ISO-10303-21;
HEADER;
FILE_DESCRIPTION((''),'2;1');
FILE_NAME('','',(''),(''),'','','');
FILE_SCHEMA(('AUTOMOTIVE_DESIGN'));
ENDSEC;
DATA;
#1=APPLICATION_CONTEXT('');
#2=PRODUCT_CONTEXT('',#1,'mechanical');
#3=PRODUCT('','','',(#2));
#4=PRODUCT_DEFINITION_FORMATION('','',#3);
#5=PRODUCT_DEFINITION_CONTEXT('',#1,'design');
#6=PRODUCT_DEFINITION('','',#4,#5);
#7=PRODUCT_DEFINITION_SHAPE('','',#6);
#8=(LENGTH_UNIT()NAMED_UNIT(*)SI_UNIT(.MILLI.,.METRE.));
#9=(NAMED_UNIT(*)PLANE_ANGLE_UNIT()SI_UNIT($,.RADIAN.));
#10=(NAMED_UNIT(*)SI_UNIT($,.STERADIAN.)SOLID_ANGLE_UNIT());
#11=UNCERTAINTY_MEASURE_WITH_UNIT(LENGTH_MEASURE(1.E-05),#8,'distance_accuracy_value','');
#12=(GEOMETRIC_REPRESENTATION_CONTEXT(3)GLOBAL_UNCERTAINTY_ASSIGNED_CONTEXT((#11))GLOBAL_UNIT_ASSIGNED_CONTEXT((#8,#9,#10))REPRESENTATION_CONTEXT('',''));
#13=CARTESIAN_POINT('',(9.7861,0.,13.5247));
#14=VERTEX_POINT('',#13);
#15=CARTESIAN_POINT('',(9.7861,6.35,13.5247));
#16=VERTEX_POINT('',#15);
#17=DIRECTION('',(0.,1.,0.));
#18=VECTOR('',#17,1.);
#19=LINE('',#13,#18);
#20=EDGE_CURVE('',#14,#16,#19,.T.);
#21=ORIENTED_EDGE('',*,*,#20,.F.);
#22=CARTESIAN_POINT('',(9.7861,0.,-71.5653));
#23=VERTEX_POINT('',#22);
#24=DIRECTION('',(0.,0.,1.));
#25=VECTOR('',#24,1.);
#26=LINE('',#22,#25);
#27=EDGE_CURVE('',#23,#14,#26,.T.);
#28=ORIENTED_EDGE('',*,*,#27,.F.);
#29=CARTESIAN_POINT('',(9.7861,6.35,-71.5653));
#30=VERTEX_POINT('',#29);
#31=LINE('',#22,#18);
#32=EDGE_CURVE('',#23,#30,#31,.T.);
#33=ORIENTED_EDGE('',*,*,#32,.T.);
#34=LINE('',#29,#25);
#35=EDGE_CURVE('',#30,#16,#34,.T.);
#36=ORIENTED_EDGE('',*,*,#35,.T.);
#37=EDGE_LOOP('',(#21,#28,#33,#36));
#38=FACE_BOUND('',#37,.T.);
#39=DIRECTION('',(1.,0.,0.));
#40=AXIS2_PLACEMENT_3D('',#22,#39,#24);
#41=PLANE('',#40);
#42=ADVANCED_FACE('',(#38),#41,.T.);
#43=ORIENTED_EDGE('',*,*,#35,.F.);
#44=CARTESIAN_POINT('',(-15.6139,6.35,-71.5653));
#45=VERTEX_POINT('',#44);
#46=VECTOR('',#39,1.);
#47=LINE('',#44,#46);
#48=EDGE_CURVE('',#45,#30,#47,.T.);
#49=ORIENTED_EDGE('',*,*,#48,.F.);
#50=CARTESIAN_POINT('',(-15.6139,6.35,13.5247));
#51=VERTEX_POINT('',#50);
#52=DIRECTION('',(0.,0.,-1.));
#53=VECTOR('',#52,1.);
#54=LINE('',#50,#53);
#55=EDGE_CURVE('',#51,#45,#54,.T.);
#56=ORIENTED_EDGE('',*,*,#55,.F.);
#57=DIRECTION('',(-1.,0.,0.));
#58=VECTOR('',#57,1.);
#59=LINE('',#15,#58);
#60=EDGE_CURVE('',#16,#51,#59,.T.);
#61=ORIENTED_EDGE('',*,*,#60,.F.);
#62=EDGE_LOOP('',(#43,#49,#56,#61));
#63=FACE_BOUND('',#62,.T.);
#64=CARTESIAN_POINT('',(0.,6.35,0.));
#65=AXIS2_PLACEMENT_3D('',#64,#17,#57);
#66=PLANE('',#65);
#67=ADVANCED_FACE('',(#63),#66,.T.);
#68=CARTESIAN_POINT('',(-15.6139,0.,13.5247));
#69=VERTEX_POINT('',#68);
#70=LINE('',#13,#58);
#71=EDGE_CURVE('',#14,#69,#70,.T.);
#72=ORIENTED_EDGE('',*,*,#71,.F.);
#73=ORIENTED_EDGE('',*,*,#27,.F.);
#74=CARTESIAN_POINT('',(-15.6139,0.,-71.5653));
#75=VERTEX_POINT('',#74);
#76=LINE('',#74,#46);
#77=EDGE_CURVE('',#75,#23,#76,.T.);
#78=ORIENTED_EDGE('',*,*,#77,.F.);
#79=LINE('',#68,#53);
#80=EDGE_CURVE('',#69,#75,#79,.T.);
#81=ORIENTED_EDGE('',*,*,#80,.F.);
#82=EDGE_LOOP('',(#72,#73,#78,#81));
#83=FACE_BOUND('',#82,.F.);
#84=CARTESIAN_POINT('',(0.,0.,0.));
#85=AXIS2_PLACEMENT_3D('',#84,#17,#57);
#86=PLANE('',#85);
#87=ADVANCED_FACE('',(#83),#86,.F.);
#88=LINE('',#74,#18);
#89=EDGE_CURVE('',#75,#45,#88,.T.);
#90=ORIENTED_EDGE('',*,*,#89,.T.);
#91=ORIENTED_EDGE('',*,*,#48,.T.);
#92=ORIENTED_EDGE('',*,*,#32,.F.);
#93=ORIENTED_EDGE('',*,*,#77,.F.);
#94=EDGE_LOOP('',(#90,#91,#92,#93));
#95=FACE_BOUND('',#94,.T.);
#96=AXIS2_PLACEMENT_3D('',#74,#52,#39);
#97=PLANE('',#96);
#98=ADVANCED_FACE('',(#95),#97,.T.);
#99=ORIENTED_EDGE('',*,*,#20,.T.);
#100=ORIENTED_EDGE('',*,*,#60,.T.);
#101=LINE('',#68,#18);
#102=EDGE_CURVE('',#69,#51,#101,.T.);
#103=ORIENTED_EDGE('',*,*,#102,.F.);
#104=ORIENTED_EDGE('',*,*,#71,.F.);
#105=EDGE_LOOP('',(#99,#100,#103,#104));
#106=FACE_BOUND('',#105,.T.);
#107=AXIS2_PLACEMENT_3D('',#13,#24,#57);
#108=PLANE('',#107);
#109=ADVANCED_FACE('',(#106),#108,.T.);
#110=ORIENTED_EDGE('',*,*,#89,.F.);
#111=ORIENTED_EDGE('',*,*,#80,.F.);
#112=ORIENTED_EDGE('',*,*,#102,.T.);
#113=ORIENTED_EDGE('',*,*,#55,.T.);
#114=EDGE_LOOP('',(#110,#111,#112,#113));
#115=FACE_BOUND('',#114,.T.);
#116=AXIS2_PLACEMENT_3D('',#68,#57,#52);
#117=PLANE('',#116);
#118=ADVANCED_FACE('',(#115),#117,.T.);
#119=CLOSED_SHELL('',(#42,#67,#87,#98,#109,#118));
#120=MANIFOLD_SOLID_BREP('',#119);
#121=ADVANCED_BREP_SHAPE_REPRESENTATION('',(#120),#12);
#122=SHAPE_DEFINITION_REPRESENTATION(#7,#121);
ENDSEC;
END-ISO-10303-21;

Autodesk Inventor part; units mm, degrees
ref_plane "YZ Plane" through (0, 0, 0) normal (1, 0, 0) x (0, 1, 0)
ref_plane "XZ Plane" through (0, 0, 0) normal (0, 1, 0) x (-1, 0, 0)
ref_plane "XY Plane" through (0, 0, 0) normal (0, 0, 1) x (1, 0, 0)
sketch "Sketch1" plane through (0, 0, 0) normal (0, 1, 0) x (-1, 0, 0)
  line L0 (-9.7861, 13.5247) -> (15.6139, 13.5247)
  line L1 (15.6139, 13.5247) -> (15.6139, -71.5653)
  line L2 (15.6139, -71.5653) -> (-9.7861, -71.5653)
  line L3 (-9.7861, -71.5653) -> (-9.7861, 13.5247)
  point P0 (0, 0)
  dimension "d0" = 25.4
  dimension "d2" = 85.09
extrude "Extrusion1" add sketch "Sketch1" along normal blind 6.35
properties part number "Spacer"
